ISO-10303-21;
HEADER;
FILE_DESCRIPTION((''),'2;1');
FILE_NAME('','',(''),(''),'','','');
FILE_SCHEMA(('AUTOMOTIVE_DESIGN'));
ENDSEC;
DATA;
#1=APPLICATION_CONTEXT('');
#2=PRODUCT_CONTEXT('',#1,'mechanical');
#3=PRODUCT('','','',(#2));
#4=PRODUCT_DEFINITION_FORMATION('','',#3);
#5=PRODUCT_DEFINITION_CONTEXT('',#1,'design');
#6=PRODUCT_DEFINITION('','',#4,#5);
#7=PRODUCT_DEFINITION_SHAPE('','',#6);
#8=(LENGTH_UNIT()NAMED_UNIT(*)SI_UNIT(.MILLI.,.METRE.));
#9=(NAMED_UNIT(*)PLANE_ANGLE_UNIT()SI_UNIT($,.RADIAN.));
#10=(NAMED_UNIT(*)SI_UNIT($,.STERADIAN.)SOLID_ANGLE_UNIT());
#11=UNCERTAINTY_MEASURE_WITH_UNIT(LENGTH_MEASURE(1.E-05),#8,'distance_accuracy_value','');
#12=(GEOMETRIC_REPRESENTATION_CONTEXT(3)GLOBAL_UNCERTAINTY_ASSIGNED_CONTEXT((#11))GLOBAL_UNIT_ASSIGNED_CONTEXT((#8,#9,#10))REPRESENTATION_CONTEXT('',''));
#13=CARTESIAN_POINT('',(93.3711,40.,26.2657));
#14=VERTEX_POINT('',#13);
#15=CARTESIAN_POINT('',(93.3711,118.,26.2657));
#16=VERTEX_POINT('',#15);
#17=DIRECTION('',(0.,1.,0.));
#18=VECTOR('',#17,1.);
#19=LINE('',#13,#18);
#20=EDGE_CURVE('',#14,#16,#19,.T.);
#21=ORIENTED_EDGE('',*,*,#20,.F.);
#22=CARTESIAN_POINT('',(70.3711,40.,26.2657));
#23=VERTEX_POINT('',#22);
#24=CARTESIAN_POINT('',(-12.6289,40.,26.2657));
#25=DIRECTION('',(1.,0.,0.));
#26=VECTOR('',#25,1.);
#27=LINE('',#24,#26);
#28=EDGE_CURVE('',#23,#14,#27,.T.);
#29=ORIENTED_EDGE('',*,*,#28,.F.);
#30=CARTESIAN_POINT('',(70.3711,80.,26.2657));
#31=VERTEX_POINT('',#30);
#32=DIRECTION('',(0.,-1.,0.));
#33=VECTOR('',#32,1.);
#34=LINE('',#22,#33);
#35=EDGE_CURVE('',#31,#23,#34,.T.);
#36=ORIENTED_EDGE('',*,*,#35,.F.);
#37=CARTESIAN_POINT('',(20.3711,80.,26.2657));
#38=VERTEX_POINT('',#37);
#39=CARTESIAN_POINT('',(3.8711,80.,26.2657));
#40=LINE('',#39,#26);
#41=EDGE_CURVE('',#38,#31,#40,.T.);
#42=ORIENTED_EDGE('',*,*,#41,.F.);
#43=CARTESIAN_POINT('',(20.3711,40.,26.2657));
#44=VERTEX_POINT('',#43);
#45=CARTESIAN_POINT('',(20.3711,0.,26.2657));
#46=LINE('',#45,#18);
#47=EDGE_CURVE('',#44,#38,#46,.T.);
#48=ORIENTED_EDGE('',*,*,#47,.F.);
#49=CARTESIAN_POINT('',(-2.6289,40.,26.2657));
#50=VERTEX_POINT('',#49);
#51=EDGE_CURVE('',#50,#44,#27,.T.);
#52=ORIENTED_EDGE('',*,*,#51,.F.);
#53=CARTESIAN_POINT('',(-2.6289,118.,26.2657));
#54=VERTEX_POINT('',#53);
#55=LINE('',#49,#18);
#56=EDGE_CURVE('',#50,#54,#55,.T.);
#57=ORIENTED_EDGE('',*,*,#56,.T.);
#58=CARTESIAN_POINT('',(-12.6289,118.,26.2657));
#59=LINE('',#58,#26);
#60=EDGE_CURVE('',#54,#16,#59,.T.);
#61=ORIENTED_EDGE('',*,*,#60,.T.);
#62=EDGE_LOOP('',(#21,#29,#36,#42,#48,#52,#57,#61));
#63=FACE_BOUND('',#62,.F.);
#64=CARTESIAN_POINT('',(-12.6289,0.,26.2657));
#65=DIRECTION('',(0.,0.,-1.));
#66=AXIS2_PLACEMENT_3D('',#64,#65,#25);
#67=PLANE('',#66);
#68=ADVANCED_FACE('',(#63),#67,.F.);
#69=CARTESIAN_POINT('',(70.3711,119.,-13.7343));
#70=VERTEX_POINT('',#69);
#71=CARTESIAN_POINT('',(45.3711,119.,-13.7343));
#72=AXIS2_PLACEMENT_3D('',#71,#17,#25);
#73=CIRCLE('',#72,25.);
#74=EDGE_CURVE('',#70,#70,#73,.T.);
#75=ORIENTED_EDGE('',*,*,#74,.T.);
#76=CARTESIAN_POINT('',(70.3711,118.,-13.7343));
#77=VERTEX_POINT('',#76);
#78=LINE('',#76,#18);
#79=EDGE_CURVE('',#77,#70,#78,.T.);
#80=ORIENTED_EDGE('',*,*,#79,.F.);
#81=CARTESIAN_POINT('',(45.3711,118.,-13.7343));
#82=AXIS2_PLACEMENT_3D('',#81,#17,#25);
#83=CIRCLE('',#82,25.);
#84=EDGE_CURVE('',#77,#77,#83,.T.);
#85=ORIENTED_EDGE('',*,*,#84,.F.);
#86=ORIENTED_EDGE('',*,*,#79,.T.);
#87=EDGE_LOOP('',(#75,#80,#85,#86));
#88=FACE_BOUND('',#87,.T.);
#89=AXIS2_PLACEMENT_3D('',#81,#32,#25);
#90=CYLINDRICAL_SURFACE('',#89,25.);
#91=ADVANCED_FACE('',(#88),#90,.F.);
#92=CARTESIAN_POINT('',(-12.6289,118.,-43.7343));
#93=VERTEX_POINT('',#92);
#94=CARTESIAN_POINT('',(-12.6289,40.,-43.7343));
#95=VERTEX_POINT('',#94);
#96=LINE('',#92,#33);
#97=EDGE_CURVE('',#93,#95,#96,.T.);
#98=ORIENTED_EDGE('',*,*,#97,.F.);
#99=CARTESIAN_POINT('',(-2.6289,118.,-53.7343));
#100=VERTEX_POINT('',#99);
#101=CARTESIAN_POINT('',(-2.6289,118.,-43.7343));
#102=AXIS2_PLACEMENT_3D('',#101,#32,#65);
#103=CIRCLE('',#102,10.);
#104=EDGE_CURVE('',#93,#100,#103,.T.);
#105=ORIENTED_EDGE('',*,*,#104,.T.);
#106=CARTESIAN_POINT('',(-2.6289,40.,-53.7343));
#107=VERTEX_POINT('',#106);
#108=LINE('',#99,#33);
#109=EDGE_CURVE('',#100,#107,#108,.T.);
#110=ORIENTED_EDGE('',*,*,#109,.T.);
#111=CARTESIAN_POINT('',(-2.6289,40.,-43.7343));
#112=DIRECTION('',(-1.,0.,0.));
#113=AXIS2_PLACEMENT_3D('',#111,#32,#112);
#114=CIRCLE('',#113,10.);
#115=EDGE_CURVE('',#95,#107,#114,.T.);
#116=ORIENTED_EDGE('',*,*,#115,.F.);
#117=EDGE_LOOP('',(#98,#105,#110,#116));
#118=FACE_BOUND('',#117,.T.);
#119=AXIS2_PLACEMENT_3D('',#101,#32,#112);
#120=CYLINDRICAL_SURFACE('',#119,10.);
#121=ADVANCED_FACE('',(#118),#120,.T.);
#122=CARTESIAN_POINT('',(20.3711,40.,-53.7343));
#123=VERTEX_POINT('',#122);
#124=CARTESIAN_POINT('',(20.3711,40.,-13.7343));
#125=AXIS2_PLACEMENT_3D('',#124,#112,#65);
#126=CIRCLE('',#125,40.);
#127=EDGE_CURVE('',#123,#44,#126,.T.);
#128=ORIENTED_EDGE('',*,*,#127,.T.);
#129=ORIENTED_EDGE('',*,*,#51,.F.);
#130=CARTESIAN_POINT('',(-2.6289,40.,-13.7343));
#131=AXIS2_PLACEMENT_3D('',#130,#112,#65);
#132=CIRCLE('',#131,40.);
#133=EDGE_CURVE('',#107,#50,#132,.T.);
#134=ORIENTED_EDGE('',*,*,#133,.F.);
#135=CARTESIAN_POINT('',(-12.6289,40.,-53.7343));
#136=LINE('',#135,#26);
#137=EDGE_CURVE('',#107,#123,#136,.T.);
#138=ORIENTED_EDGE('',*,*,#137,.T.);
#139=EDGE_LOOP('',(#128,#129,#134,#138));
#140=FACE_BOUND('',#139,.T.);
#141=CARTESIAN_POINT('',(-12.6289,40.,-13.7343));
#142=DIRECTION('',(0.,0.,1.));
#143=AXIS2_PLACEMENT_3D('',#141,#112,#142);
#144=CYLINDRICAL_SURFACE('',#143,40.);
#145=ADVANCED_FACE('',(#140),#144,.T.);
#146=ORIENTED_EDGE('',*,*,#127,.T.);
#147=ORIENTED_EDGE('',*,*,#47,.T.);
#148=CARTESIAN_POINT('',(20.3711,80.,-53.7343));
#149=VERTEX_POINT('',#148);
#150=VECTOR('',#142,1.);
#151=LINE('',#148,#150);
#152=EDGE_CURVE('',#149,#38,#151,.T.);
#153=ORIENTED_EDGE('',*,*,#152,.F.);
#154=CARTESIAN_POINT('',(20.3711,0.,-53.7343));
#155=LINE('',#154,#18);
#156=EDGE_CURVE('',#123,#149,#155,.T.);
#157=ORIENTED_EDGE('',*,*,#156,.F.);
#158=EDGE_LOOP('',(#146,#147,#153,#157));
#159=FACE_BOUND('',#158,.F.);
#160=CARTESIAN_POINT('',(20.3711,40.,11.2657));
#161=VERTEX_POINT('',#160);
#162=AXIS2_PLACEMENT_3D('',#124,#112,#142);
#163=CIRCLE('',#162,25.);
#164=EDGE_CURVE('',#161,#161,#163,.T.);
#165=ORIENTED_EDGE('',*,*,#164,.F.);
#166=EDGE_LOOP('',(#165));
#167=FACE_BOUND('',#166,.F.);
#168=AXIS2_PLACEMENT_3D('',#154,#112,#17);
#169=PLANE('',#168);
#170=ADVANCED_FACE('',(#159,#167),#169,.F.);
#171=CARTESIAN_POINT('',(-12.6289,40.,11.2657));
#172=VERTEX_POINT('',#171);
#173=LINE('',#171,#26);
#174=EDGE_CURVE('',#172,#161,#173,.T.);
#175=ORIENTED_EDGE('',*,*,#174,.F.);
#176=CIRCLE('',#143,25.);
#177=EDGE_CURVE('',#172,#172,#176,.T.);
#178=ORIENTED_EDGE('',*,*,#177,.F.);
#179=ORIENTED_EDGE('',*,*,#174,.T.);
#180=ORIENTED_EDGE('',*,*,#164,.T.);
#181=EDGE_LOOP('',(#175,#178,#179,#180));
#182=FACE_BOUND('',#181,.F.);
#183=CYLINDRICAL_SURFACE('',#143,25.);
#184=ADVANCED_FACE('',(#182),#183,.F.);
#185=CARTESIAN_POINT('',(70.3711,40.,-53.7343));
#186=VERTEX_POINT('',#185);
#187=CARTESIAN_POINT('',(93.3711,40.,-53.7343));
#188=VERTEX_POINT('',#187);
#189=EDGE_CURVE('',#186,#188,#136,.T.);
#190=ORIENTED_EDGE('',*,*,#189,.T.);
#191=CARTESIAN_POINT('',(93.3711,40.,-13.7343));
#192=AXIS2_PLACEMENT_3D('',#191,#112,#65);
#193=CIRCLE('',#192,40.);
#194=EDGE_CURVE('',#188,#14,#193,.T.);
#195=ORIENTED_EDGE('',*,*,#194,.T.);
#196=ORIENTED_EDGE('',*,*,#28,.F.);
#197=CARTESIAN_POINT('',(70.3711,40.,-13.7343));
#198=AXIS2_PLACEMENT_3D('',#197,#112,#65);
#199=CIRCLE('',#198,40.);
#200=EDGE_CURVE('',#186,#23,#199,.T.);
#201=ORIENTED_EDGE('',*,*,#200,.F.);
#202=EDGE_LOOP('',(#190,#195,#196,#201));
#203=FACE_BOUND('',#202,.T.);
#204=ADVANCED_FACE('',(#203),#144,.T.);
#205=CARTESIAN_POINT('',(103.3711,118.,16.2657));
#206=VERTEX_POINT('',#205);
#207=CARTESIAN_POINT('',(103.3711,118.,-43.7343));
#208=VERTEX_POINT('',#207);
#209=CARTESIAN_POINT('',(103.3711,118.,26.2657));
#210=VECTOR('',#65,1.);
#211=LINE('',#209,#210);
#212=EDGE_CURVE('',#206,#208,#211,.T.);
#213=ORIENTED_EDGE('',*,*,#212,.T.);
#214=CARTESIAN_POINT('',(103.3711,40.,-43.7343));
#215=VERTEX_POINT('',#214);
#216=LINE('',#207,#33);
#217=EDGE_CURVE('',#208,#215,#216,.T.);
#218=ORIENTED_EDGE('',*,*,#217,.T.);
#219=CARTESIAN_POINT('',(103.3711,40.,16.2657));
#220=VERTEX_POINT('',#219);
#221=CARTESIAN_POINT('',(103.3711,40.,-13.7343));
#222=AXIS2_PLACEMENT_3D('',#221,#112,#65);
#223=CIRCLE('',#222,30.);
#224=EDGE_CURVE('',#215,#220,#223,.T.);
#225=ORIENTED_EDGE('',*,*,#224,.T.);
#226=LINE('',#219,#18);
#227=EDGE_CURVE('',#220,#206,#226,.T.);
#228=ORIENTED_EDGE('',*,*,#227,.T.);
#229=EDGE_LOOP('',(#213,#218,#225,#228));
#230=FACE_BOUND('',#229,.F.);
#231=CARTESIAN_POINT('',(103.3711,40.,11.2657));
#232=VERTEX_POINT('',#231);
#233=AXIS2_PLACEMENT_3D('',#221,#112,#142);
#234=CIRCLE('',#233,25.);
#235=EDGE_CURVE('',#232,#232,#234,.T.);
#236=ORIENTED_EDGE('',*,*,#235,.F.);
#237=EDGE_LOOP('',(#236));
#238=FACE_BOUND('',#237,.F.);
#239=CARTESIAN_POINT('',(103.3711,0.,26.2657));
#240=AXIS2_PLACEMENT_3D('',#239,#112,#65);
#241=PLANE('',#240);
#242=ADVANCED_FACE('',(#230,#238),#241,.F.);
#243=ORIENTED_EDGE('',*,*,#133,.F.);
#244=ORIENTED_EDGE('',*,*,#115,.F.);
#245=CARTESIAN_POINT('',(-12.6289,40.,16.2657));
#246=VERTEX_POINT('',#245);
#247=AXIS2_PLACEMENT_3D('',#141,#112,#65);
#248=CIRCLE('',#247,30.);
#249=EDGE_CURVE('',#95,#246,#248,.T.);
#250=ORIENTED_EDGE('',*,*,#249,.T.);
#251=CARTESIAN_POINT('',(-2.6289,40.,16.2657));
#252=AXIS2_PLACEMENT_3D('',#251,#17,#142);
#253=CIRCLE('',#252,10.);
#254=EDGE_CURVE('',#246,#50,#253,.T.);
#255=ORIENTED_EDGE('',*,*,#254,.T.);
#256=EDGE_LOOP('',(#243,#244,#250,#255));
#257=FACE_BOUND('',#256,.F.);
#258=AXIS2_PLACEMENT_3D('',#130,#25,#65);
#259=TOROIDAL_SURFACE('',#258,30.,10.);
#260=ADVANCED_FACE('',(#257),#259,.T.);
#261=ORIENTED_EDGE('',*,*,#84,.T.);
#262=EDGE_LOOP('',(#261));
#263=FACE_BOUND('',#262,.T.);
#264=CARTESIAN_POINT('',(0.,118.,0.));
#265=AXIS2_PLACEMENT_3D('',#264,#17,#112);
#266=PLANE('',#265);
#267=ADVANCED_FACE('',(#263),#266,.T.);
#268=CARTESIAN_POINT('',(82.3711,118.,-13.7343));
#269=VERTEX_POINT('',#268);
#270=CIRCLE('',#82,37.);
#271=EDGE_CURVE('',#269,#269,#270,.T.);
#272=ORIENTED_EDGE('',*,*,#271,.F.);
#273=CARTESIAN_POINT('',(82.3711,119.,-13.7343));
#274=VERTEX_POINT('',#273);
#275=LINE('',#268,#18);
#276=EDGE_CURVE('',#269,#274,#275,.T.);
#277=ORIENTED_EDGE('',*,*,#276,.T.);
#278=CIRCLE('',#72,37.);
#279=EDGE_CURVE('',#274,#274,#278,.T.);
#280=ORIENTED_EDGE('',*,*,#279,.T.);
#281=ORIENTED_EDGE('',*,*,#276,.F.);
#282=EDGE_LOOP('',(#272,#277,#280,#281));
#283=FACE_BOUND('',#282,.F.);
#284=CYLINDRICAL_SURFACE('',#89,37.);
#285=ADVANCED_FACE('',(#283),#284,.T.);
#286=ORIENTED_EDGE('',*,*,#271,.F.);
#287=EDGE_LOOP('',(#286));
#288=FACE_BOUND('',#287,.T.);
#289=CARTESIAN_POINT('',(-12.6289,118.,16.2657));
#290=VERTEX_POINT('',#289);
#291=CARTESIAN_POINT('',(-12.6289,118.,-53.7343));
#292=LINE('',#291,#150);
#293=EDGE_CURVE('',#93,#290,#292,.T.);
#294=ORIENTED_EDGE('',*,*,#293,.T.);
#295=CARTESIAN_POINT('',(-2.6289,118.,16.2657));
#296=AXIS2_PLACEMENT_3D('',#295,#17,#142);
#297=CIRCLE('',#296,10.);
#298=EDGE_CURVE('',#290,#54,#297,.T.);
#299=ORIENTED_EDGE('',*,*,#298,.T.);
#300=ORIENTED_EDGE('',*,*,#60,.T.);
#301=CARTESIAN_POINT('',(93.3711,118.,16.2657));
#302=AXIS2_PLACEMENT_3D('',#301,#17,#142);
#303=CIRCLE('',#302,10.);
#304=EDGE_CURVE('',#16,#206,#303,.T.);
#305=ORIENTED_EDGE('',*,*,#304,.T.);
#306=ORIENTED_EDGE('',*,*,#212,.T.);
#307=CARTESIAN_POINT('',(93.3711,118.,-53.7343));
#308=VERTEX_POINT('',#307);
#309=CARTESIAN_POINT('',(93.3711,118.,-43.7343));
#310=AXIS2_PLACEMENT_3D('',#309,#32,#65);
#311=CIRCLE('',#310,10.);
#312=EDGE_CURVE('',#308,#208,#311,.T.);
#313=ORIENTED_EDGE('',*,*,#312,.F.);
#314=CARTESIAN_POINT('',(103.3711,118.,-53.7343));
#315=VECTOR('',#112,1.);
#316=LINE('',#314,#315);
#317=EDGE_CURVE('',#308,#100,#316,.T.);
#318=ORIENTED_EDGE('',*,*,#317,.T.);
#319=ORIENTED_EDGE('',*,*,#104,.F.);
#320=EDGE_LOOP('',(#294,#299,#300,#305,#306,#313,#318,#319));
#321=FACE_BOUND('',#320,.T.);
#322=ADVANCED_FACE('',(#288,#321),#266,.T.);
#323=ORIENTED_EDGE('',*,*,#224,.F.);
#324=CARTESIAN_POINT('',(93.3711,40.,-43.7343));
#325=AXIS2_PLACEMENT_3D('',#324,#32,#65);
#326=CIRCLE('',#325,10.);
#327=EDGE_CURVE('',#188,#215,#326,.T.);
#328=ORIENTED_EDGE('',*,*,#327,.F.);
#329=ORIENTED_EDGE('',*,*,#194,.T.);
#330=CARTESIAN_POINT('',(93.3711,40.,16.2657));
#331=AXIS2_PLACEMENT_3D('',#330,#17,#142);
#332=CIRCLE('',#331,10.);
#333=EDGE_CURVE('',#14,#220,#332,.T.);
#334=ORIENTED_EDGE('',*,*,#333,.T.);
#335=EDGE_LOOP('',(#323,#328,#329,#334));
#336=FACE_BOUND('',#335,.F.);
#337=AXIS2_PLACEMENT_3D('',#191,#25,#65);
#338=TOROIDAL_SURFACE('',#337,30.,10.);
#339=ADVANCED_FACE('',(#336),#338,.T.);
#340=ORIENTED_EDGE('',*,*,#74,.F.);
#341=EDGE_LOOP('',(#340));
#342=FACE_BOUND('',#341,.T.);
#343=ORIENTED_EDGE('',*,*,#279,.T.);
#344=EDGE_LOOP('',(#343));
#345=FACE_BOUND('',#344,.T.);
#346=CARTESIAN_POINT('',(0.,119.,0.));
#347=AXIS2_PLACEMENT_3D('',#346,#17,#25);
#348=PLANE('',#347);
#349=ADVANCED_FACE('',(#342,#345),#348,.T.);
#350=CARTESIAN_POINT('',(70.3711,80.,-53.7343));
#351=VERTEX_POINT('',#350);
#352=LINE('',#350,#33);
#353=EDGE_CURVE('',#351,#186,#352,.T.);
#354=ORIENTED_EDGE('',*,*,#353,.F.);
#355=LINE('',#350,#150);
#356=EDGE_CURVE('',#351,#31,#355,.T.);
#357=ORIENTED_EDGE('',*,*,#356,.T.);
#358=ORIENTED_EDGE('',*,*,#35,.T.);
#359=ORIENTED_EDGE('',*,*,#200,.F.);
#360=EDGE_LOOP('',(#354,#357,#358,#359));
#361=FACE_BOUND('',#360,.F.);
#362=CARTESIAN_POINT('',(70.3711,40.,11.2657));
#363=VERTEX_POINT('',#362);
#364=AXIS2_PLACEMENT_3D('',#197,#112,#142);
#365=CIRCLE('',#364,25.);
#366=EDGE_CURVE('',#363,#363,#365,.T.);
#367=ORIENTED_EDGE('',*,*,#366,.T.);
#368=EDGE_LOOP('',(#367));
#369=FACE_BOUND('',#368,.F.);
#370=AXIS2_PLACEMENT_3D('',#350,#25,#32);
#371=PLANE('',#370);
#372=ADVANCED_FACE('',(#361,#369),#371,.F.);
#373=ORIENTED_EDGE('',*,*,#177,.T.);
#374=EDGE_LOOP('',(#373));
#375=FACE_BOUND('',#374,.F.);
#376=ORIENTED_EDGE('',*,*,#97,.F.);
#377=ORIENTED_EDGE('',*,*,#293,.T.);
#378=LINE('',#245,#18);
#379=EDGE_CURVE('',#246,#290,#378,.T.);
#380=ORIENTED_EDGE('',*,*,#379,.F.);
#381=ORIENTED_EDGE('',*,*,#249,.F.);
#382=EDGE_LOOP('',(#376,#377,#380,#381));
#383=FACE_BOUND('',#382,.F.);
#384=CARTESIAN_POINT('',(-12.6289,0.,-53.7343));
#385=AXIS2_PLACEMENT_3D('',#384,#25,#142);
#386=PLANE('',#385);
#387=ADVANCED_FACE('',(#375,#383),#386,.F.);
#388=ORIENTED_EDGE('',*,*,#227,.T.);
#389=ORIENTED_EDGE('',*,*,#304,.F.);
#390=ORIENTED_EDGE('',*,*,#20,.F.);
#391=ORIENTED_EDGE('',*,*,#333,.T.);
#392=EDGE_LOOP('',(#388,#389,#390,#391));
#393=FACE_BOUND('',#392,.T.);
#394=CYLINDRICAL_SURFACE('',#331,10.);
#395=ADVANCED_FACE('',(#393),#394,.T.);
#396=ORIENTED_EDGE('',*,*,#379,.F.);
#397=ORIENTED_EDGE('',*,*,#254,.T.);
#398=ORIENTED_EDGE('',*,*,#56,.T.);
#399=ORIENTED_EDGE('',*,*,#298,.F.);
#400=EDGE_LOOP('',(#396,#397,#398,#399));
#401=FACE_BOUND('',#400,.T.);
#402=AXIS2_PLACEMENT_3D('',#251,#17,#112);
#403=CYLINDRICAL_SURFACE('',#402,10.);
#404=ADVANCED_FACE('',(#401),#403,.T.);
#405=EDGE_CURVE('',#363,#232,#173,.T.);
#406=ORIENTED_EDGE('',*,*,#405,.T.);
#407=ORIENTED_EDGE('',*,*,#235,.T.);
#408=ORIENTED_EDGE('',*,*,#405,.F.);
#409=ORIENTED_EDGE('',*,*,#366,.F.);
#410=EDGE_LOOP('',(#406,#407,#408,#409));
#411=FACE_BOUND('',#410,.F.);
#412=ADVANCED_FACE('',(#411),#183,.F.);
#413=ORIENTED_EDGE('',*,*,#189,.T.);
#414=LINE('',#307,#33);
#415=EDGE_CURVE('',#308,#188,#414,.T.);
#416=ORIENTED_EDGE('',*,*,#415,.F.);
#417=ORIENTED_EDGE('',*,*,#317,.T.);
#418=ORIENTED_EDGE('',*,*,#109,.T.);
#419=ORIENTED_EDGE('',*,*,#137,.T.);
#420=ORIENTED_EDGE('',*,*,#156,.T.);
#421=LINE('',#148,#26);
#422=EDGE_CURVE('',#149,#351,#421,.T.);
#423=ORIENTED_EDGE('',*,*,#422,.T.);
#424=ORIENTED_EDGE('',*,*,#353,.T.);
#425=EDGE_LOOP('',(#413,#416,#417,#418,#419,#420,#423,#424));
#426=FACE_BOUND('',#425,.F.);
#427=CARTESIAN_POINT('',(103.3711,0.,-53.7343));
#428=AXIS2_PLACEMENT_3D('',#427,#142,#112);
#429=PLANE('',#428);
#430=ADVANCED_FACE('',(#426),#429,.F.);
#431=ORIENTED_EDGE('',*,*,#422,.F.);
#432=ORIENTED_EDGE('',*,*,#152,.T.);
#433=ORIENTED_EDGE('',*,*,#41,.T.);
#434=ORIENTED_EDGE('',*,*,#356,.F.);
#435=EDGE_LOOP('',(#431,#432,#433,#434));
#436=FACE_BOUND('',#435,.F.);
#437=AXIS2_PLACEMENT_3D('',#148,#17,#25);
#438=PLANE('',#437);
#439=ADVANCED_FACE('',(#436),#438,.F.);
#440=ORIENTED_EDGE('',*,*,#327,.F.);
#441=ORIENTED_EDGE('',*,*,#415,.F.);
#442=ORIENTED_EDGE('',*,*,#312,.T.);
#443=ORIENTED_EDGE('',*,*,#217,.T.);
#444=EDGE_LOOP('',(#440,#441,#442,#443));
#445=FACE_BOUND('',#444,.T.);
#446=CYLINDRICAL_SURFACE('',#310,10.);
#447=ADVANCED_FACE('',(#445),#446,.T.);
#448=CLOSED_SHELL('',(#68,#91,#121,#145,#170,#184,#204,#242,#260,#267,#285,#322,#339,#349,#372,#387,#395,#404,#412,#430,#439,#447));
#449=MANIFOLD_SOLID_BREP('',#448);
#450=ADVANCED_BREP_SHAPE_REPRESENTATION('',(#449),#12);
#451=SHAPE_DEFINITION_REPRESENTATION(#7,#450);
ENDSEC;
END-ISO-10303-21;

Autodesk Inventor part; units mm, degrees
ref_plane "YZ Plane" through (0, 0, 0) normal (1, 0, 0) x (0, 1, 0)
ref_plane "XZ Plane" through (0, 0, 0) normal (0, 1, 0) x (-1, 0, 0)
ref_plane "XY Plane" through (0, 0, 0) normal (0, 0, 1) x (1, 0, 0)
sketch "Sketch1" plane through (0, 0, 0) normal (0, 1, 0) x (-1, 0, 0)
  line L0 (12.6289, 26.2657) -> (-103.3711, 26.2657)
  line L1 (-103.3711, 26.2657) -> (-103.3711, -53.7343)
  line L2 (-103.3711, -53.7343) -> (12.6289, -53.7343)
  line L3 (12.6289, -53.7343) -> (12.6289, 26.2657)
  point P0 (0, 0)
  dimension "d0" = 116
  dimension "d1" = 80
extrude "Extrusion1" add sketch "Sketch1" along normal blind 118
sketch "Sketch2" plane through (0, 118, 0) normal (0, 1, 0) x (1, 0, 0)
  circle A0 centre (45.3711, 13.7343) radius 37
  circle A1 centre (45.3711, 13.7343) radius 25
  point P0 (0, 0)
  point P1 (-12.6289, -26.2657)
  dimension "d5" = 74
  dimension "d6" = 50
extrude "Extrusion2" add sketch "Sketch2" along normal blind 1
sketch "Sketch3" plane through (103.3711, 0, -53.7343) normal (0, 0, -1) x (-1, 0, 0)
  line L0 (0, 0) -> (116, 0) projected
  line L1 (0, 0) -> (33, 0)
  line L2 (33, 0) -> (83, 0)
  line L3 (83, 0) -> (83, 80)
  line L4 (83, 80) -> (33, 80)
  line L5 (33, 80) -> (33, 0)
  point P0 (103.3711, 0)
  dimension "d9" = 33
  dimension "d10" = 50
  dimension "d11" = 80
extrude "Extrusion3" cut sketch "Sketch3" against normal blind 200
sketch "Sketch4" plane through (-12.6289, 0, -53.7343) normal (-1, 0, 0) x (0, 0, 1)
  circle A0 centre (40, 40) radius 40
  line L0 (0, 0) -> (80, 0) projected
  line L1 (0, 0) -> (0, 118) projected
  circle A1 centre (40, 40) radius 25
  line L2 (0, 0) -> (0, 118) projected
  line L3 (0, 118) -> (80, 118)
  line L4 (80, 118) -> (80, 0)
  line L5 (80, 0) -> (0, 0)
  line L6 (0, 0) -> (0, 118)
  point P0 (53.7343, 0)
  point P1 (0, 40)
  point P2 (40, 0)
  point P3 (80, 40)
  dimension "d14" = 80
  dimension "d15" = 50
extrude "Extrusion4" cut sketch "Sketch4" against normal blind 200 contours A1
extrude "Extrusion5" cut sketch "Sketch4" against normal blind 200 contours A0 L0 L1
extrude "Extrusion6" cut sketch "Sketch4" against normal blind 200 contours L4 L0 A0
fillet "Fillet1" radius 10 6 edges at (-12.6289, 0, -13.7343) (-12.6289, 79, -53.7343) (-12.6289, 79, 26.2657) (103.3711, 0, -13.7343) (103.3711, 79, -53.7343) (103.3711, 79, 26.2657)
